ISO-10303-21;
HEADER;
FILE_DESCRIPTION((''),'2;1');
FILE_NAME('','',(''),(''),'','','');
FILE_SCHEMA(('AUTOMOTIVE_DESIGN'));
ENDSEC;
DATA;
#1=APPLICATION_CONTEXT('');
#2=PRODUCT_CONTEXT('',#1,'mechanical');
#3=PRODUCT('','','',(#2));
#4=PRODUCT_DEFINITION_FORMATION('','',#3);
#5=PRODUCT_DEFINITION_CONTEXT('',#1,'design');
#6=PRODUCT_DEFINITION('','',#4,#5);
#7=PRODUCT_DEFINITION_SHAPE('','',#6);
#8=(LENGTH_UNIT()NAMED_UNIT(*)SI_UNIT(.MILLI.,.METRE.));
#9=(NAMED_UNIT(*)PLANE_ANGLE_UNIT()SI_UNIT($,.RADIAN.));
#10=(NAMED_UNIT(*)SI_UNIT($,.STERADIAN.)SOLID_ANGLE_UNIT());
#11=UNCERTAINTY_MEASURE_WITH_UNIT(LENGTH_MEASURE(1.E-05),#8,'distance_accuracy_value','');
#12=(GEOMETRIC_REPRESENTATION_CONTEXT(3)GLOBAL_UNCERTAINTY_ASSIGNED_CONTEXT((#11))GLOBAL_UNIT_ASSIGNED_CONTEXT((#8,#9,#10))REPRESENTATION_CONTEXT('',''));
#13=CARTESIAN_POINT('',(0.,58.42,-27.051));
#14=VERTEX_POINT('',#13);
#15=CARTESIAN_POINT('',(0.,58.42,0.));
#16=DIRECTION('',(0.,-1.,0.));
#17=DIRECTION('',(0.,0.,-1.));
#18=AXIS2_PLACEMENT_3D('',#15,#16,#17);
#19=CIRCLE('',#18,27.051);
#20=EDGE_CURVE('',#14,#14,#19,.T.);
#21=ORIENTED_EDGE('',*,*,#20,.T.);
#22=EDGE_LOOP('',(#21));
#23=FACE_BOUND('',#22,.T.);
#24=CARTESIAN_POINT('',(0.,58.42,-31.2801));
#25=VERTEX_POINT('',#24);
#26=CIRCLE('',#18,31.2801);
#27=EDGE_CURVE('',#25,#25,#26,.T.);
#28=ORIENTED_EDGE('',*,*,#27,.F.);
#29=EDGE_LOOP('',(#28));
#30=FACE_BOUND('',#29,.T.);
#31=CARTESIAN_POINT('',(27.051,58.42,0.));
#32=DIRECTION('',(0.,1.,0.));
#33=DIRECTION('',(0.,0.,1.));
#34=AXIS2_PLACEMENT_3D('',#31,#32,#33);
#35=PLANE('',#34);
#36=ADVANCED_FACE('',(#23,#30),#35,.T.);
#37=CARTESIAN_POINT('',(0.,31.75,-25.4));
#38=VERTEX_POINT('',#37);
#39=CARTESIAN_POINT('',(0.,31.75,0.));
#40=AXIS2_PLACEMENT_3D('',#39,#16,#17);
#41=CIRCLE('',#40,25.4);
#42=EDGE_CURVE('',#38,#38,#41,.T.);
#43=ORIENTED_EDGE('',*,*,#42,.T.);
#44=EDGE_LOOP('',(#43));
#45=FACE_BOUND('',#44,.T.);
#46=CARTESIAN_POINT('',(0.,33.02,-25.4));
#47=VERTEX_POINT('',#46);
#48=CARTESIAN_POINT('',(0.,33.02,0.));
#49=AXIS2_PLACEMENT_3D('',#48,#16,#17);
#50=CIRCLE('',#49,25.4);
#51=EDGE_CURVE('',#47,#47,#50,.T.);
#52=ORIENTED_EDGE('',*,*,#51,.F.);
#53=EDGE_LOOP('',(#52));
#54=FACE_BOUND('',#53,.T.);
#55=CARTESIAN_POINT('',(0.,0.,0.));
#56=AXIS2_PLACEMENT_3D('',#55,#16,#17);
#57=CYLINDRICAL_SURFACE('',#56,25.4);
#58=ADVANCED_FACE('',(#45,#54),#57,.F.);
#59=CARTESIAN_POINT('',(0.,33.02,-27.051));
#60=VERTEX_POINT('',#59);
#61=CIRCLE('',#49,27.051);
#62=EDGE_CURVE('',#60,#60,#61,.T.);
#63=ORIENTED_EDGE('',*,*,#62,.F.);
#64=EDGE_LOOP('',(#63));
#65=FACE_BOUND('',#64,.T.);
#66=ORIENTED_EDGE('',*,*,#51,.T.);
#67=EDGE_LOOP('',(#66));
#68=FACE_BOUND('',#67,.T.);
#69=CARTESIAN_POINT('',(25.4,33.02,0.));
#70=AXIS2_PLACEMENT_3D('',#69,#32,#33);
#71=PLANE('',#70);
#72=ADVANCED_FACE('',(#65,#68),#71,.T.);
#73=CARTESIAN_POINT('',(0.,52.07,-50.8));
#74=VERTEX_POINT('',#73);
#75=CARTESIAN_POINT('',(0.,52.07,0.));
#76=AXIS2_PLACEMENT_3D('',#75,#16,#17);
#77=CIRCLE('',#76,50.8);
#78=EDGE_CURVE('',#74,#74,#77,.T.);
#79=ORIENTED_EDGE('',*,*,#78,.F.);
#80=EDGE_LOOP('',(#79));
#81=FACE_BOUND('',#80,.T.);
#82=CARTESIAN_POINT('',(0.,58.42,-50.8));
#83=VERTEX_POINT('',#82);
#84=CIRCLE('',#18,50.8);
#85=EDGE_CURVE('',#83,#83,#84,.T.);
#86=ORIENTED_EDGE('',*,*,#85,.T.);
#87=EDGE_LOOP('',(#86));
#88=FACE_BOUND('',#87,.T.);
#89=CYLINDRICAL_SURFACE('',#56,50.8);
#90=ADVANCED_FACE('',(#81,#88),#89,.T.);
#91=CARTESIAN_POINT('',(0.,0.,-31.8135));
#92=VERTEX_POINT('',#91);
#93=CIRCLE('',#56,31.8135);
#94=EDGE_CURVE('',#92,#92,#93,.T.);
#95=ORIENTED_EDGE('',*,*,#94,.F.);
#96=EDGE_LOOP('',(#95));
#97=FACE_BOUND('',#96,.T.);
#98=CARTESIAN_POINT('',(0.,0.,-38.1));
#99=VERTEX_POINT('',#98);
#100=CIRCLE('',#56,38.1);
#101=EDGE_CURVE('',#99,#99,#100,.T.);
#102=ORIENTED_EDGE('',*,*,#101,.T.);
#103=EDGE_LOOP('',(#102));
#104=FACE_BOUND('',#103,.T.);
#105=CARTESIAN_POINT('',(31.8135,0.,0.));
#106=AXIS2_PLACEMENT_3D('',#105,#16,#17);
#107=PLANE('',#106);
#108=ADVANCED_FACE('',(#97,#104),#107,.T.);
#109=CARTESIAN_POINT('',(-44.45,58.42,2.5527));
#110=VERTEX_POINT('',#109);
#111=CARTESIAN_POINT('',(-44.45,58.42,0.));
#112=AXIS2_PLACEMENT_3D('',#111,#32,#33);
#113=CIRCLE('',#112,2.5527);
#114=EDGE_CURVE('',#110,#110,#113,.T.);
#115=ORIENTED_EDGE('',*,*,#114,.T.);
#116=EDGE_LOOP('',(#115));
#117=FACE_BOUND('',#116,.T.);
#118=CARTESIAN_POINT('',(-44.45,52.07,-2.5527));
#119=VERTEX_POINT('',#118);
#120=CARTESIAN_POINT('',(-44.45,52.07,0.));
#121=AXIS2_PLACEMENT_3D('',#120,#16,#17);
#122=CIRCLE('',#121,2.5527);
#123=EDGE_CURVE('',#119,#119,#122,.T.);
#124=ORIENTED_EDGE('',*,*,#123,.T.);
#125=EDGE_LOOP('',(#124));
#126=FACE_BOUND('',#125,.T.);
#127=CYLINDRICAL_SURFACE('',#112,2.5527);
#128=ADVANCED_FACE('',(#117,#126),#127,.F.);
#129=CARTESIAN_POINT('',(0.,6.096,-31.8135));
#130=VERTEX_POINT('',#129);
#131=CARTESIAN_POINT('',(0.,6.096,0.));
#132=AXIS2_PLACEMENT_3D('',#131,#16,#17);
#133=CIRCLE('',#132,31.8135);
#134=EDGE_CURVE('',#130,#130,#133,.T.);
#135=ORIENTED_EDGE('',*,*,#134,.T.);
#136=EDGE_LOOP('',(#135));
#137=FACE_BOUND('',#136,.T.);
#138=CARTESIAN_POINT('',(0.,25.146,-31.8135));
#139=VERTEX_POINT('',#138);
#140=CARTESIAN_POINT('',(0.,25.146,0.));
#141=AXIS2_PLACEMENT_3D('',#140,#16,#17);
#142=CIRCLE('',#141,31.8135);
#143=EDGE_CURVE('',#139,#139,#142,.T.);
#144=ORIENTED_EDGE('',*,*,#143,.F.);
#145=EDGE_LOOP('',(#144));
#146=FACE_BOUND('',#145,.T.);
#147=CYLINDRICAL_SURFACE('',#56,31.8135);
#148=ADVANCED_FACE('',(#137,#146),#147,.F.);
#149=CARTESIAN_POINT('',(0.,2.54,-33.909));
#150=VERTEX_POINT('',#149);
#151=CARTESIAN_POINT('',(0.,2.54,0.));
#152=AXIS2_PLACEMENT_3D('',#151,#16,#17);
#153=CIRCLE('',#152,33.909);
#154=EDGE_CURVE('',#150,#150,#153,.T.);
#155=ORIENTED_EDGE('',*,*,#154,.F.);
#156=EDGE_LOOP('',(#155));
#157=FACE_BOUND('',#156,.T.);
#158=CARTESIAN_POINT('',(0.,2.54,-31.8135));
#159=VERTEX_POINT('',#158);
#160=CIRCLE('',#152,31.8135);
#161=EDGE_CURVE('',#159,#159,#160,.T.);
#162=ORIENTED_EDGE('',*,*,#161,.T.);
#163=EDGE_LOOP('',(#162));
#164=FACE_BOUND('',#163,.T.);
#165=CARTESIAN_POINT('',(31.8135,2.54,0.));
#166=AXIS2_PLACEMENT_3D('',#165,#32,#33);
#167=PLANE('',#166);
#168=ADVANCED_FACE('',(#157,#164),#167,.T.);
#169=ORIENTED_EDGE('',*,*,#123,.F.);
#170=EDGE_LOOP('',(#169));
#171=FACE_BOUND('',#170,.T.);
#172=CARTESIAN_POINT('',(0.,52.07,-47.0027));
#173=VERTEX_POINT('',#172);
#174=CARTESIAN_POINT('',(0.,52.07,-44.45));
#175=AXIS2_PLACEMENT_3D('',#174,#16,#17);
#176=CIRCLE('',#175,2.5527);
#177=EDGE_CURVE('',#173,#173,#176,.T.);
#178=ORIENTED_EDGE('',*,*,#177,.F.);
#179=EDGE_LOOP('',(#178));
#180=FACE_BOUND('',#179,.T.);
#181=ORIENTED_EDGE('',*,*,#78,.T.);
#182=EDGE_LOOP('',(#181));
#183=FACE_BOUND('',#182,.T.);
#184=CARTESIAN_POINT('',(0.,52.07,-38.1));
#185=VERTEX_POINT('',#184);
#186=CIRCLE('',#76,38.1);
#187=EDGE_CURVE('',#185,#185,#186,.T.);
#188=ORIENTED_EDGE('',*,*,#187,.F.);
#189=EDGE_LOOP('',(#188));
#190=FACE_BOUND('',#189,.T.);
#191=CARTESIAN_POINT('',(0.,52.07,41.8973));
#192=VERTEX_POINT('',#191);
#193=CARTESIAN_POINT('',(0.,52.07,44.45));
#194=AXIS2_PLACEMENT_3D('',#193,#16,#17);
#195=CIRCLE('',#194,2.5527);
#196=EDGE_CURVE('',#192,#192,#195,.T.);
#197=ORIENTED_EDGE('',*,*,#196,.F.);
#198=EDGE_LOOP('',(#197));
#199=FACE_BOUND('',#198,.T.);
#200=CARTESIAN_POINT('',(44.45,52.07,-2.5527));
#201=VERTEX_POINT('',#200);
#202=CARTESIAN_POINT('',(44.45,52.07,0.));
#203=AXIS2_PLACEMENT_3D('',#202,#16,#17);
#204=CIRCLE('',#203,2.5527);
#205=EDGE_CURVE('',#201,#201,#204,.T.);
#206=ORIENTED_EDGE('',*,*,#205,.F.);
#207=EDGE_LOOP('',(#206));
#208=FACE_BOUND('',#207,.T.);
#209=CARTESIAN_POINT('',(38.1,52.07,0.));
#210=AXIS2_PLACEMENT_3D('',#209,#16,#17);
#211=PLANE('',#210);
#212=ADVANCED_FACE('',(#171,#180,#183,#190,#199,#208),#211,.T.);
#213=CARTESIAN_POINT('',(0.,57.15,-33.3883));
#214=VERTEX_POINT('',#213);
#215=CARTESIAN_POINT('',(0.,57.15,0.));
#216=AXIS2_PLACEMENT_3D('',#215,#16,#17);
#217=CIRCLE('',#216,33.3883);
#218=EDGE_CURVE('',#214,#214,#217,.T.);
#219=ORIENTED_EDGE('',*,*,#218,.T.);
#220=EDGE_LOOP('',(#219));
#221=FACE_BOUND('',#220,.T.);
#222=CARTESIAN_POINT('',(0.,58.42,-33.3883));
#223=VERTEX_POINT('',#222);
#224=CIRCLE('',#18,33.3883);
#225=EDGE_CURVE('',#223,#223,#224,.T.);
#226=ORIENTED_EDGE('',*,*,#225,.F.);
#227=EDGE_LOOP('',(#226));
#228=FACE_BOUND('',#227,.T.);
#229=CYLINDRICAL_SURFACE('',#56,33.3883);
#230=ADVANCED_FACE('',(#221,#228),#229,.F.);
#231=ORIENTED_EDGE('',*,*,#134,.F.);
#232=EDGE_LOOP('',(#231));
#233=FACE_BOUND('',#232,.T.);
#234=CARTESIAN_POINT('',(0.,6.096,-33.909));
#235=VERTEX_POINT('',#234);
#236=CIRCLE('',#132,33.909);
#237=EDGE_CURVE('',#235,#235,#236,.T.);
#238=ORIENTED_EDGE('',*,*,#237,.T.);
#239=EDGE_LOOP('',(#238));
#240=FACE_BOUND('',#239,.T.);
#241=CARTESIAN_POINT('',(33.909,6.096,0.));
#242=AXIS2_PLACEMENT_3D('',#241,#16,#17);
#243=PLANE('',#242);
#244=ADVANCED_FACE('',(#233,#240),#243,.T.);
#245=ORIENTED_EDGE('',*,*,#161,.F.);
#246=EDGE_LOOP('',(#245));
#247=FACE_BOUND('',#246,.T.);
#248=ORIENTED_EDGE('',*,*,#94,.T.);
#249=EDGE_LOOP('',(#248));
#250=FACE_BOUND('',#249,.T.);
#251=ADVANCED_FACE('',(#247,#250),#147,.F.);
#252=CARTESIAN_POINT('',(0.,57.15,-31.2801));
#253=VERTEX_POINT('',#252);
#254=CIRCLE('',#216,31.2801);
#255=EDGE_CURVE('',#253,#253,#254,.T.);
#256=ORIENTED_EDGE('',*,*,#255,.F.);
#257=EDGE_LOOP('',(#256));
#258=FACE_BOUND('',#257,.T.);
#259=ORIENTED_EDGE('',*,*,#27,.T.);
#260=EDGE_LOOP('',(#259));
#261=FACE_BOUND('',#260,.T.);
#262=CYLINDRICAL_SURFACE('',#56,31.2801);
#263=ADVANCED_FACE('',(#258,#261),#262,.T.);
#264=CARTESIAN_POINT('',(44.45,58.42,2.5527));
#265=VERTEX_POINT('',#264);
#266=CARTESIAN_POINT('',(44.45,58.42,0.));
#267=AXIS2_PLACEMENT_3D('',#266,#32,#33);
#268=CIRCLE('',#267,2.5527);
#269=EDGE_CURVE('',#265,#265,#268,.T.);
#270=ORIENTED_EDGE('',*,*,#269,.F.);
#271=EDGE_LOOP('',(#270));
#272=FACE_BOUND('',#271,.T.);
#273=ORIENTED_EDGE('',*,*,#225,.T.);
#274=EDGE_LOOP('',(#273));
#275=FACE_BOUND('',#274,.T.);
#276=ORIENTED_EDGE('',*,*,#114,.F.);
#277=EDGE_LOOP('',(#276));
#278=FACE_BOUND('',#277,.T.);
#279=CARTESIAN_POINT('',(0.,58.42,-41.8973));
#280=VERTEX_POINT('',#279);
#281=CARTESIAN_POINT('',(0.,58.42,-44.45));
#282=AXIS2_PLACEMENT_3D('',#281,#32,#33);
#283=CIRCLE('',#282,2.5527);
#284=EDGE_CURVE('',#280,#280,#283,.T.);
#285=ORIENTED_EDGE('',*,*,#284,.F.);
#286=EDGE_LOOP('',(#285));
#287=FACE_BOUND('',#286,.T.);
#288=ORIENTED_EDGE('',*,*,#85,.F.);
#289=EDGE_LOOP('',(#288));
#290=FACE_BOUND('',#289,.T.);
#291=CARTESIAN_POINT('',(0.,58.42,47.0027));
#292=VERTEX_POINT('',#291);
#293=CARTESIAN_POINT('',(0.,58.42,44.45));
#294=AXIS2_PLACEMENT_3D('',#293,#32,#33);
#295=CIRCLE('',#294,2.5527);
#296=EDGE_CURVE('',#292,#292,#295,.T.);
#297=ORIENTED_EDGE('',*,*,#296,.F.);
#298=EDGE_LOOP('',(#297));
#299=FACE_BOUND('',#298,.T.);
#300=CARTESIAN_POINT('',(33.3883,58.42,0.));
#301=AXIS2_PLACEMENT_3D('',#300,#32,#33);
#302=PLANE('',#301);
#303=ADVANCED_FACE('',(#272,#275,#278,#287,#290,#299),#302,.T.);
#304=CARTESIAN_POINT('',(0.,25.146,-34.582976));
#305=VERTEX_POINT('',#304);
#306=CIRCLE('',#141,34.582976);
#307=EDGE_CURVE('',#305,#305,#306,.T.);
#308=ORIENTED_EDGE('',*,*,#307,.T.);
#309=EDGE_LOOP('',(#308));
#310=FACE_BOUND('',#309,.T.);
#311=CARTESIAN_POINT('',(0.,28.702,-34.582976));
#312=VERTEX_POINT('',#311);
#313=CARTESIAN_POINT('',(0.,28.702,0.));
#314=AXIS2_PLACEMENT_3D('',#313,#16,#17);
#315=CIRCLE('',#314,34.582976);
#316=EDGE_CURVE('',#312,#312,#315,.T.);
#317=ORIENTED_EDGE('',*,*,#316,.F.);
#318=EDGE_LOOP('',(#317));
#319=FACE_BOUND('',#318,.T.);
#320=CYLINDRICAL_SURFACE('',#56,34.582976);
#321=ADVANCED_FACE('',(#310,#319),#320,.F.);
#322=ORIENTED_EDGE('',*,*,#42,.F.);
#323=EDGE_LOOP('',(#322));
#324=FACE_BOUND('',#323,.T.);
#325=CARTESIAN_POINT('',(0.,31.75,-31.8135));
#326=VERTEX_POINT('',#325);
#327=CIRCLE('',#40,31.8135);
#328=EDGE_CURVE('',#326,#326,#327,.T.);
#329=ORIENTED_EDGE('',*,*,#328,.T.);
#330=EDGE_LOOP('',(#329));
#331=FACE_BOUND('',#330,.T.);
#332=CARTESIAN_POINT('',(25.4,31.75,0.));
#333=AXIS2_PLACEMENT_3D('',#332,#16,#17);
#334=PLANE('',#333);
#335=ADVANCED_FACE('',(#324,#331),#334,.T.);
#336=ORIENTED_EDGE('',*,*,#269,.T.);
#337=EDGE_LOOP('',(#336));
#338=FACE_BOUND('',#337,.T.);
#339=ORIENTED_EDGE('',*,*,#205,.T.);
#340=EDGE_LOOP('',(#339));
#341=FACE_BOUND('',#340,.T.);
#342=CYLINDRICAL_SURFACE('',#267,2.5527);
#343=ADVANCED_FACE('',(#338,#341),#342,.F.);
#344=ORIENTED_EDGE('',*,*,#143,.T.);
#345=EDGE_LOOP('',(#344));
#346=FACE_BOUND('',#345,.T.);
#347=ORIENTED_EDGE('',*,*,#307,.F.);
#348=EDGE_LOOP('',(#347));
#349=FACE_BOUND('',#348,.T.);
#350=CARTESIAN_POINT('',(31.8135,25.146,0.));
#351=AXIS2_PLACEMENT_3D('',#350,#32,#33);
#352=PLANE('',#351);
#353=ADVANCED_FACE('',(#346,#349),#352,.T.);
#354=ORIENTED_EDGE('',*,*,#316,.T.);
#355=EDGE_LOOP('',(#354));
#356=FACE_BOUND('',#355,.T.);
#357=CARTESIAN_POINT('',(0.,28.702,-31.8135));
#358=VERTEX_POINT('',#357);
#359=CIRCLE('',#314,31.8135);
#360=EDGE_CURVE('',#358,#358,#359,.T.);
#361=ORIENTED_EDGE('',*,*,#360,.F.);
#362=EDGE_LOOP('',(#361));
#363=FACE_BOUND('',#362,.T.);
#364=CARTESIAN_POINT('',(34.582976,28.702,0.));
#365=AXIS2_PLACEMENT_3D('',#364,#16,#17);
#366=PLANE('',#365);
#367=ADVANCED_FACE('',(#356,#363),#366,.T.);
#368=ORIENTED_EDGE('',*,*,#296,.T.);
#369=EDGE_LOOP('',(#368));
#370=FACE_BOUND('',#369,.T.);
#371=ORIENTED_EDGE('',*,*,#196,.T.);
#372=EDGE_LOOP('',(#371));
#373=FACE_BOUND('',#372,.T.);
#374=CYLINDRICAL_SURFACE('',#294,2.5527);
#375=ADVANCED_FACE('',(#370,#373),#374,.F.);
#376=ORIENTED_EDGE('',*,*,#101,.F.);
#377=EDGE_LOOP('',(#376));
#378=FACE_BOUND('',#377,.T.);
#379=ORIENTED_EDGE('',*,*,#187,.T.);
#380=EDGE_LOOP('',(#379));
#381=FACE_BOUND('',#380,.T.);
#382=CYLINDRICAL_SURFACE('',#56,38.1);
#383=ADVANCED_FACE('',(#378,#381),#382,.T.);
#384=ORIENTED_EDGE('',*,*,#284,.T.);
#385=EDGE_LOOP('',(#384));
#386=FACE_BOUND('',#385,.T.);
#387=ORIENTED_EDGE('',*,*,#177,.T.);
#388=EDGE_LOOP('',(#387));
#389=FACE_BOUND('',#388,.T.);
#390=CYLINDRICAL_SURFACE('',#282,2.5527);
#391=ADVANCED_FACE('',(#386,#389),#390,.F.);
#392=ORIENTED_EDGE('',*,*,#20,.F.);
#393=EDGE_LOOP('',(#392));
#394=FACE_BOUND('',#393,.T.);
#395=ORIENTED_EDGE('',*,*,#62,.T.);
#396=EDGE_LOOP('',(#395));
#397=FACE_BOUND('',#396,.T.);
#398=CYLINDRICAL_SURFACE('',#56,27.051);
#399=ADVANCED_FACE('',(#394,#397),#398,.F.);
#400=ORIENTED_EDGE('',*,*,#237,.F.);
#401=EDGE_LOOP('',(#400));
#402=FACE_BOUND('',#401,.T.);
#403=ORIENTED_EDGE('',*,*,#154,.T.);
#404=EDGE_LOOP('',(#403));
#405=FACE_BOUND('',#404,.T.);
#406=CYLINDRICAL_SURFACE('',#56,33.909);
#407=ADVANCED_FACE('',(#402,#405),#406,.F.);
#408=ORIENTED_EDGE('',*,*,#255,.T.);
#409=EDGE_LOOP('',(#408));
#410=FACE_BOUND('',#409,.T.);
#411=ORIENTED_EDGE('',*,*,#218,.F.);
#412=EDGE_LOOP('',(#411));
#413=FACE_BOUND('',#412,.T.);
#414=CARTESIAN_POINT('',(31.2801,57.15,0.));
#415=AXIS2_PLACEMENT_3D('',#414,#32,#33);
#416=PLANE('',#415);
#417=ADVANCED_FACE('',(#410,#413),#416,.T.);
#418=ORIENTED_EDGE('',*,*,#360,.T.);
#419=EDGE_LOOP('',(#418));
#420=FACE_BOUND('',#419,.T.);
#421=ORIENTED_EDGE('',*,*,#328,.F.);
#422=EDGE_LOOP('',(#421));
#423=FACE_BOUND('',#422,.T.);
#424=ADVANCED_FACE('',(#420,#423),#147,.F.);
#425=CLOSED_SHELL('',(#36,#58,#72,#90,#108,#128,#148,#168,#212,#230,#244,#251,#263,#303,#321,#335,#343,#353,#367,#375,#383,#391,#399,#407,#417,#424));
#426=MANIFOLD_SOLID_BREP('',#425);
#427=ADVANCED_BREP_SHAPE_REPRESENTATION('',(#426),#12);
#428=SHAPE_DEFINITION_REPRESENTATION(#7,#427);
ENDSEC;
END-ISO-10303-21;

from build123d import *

# Parameters (mm, degrees)
TAPPED_HOLE_FOR_10_32_HELICOIL1_D = 5.1054
CIRPATTERN1_COUNT                 = 4


with BuildPart() as part:
    # Sketch1 → Revolve1 (revolve)
    with BuildSketch(Plane.XY, mode=Mode.PRIVATE) as revolve1_sk:
        Polygon((31.8135, 0), (38.1, 0), (38.1, 52.07), (50.8, 52.07), (50.8, 58.42), (33.3883, 58.42), (33.3883, 57.15), (31.2801, 57.15), (31.2801, 58.42), (27.051, 58.42), (27.051, 33.02), (25.4, 33.02), (25.4, 31.75), (31.8135, 31.75), (31.8135, 28.702), (34.582975987, 28.702), (34.582975987, 25.146), (31.8135, 25.146), (31.8135, 6.096), (33.909, 6.096), (33.909, 2.54), (31.8135, 2.54), align=None)
    revolve(revolve1_sk.sketch.rotate(Axis((0, 0, 0), (0, 1, 0)), 90), axis=Axis((0, 0, 0), (0, 1, 0)))

    # Tapped Hole for #10-32 Helicoil1 (through all)
    with Locations(Plane(origin=(0, 58.42, 0), x_dir=(1, 0, 0), z_dir=(0, 1, 0))):
        with Locations((0, 44.45)):
            tapped_hole_for_10_32_helicoil1 = Hole(TAPPED_HOLE_FOR_10_32_HELICOIL1_D / 2)

    # CirPattern1: Tapped Hole for #10-32 Helicoil1 ×4 about axis
    cirpattern1_axis = Axis((0, 0, 0), (0, 1, 0))
    for i in range(1, CIRPATTERN1_COUNT):
        add(tapped_hole_for_10_32_helicoil1.rotate(cirpattern1_axis, i * 360 / CIRPATTERN1_COUNT), mode=Mode.SUBTRACT)


solid = part.part
